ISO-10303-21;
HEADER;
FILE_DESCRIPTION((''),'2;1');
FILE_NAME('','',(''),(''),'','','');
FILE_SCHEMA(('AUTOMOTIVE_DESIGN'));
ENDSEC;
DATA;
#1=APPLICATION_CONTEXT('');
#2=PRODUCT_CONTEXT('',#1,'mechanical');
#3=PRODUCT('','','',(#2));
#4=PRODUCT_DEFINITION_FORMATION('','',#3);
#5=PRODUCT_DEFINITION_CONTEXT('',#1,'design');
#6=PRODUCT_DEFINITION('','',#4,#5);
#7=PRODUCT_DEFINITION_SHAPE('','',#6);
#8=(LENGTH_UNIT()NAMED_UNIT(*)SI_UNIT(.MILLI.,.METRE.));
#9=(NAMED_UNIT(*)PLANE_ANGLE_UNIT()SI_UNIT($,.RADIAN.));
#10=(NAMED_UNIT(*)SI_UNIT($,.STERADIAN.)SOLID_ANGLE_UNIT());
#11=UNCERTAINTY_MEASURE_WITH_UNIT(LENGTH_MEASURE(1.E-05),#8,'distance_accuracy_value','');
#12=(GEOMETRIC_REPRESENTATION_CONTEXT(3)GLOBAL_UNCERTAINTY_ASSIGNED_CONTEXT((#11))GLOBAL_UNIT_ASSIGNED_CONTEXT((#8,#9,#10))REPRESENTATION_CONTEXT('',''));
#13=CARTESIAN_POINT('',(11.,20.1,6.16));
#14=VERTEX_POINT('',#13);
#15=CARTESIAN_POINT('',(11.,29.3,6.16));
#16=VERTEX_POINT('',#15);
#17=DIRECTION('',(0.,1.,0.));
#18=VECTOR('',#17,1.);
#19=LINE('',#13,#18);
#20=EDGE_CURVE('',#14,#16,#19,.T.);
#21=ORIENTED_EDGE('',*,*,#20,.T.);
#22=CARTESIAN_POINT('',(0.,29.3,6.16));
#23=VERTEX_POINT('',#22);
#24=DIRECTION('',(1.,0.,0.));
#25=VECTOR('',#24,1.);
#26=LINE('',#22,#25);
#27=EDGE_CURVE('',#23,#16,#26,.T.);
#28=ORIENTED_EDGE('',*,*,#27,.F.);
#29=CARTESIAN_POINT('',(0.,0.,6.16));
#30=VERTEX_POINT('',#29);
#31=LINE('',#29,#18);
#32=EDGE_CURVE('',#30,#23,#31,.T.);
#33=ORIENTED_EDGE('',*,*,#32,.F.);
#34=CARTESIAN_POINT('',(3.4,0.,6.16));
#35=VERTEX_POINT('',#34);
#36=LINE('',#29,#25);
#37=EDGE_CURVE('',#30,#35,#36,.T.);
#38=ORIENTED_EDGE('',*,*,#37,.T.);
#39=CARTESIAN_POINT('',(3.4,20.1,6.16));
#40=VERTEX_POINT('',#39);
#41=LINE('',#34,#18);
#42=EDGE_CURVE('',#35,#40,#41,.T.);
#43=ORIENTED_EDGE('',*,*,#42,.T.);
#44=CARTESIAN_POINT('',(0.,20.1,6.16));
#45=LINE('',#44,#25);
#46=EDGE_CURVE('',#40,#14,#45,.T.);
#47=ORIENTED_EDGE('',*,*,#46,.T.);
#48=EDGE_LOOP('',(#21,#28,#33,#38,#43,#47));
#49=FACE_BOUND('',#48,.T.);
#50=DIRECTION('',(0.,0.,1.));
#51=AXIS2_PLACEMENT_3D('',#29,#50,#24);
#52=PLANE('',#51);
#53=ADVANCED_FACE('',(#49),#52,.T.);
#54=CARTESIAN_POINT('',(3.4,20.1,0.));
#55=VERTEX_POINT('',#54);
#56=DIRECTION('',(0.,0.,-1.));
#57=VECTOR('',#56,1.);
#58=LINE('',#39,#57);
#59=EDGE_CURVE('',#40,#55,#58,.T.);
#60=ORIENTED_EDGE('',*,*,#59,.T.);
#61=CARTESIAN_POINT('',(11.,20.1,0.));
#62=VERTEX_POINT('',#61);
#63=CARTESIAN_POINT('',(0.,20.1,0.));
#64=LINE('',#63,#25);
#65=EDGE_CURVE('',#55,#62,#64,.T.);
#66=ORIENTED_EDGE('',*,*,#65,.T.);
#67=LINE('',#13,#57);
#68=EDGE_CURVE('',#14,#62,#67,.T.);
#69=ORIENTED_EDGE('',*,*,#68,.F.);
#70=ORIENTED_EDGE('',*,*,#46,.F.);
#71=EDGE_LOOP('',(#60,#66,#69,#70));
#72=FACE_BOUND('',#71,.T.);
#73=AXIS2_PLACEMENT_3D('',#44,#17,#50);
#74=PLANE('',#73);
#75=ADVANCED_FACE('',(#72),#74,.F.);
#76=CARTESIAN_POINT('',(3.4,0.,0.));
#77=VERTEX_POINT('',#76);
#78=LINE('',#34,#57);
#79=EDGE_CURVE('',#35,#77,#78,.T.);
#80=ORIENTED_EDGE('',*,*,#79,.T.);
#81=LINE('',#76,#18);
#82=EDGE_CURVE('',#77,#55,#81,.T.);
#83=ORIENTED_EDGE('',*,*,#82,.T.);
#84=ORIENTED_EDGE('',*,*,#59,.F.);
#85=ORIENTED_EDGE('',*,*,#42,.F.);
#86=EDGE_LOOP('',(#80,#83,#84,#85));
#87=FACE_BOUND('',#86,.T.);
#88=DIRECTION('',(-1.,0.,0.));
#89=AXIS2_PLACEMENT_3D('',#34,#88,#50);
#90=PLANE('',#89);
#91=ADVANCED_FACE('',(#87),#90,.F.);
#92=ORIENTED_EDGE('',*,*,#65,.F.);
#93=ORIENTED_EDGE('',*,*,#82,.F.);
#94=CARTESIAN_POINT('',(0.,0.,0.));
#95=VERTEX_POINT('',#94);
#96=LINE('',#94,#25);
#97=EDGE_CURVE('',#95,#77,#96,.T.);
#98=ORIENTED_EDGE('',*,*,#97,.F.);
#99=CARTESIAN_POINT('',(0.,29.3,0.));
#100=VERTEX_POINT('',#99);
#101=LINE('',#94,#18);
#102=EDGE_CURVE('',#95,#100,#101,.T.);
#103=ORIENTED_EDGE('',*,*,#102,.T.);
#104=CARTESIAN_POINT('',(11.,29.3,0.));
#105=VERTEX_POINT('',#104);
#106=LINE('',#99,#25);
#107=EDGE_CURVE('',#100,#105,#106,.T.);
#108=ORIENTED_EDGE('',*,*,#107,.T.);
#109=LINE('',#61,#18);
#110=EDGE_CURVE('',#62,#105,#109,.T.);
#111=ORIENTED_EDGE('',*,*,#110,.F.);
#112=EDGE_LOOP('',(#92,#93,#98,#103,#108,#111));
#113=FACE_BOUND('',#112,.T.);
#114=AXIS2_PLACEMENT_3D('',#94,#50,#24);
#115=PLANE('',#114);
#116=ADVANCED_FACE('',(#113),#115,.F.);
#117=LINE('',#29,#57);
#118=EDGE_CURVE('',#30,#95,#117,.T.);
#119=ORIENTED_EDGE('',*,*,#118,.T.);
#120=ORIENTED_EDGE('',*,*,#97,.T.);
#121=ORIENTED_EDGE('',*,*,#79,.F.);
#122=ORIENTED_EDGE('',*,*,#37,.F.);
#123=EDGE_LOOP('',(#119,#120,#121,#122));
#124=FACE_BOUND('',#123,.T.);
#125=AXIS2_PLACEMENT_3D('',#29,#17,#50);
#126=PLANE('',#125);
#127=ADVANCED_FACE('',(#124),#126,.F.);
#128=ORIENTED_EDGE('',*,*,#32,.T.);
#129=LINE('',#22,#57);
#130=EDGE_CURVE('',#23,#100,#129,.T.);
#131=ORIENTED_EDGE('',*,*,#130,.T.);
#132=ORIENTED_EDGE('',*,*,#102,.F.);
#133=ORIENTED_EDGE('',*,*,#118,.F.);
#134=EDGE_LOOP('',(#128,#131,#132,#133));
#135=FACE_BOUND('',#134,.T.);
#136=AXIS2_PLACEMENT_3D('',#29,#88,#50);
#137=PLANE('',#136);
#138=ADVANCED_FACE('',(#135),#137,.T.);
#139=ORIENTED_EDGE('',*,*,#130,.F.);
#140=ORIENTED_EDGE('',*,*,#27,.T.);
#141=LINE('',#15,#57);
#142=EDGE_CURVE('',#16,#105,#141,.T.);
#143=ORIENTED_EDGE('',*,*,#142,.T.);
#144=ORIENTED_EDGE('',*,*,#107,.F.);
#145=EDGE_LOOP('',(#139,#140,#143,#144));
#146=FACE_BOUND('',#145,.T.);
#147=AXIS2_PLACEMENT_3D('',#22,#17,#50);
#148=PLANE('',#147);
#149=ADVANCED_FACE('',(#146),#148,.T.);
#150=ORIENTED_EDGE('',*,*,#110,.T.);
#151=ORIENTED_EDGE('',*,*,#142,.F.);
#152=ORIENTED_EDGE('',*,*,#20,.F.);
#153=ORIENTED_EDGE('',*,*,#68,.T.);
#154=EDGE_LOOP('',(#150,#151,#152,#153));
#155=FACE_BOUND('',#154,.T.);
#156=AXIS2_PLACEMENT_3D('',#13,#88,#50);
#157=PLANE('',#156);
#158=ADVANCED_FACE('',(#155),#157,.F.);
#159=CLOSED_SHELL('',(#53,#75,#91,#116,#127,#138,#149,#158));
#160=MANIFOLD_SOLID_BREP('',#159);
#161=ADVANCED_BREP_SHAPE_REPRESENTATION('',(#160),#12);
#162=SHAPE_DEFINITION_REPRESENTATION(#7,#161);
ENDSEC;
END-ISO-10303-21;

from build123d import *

# Parameters (mm, degrees)
SKETCH1_W           = 3.4
SKETCH1_H           = 20.1
SKETCH1_W_2         = 11
SKETCH1_H_2         = 9.2
BOSS_EXTRUDE1_DEPTH = 6.16


with BuildPart() as part:
    # Sketch1 → Boss-Extrude1 (new body)
    with BuildSketch(Plane.XY):
        with Locations((1.7, 10.05)):
            Rectangle(SKETCH1_W, SKETCH1_H)
        with Locations((5.5, 24.7)):
            Rectangle(SKETCH1_W_2, SKETCH1_H_2)
    extrude(amount=BOSS_EXTRUDE1_DEPTH)


solid = part.part
